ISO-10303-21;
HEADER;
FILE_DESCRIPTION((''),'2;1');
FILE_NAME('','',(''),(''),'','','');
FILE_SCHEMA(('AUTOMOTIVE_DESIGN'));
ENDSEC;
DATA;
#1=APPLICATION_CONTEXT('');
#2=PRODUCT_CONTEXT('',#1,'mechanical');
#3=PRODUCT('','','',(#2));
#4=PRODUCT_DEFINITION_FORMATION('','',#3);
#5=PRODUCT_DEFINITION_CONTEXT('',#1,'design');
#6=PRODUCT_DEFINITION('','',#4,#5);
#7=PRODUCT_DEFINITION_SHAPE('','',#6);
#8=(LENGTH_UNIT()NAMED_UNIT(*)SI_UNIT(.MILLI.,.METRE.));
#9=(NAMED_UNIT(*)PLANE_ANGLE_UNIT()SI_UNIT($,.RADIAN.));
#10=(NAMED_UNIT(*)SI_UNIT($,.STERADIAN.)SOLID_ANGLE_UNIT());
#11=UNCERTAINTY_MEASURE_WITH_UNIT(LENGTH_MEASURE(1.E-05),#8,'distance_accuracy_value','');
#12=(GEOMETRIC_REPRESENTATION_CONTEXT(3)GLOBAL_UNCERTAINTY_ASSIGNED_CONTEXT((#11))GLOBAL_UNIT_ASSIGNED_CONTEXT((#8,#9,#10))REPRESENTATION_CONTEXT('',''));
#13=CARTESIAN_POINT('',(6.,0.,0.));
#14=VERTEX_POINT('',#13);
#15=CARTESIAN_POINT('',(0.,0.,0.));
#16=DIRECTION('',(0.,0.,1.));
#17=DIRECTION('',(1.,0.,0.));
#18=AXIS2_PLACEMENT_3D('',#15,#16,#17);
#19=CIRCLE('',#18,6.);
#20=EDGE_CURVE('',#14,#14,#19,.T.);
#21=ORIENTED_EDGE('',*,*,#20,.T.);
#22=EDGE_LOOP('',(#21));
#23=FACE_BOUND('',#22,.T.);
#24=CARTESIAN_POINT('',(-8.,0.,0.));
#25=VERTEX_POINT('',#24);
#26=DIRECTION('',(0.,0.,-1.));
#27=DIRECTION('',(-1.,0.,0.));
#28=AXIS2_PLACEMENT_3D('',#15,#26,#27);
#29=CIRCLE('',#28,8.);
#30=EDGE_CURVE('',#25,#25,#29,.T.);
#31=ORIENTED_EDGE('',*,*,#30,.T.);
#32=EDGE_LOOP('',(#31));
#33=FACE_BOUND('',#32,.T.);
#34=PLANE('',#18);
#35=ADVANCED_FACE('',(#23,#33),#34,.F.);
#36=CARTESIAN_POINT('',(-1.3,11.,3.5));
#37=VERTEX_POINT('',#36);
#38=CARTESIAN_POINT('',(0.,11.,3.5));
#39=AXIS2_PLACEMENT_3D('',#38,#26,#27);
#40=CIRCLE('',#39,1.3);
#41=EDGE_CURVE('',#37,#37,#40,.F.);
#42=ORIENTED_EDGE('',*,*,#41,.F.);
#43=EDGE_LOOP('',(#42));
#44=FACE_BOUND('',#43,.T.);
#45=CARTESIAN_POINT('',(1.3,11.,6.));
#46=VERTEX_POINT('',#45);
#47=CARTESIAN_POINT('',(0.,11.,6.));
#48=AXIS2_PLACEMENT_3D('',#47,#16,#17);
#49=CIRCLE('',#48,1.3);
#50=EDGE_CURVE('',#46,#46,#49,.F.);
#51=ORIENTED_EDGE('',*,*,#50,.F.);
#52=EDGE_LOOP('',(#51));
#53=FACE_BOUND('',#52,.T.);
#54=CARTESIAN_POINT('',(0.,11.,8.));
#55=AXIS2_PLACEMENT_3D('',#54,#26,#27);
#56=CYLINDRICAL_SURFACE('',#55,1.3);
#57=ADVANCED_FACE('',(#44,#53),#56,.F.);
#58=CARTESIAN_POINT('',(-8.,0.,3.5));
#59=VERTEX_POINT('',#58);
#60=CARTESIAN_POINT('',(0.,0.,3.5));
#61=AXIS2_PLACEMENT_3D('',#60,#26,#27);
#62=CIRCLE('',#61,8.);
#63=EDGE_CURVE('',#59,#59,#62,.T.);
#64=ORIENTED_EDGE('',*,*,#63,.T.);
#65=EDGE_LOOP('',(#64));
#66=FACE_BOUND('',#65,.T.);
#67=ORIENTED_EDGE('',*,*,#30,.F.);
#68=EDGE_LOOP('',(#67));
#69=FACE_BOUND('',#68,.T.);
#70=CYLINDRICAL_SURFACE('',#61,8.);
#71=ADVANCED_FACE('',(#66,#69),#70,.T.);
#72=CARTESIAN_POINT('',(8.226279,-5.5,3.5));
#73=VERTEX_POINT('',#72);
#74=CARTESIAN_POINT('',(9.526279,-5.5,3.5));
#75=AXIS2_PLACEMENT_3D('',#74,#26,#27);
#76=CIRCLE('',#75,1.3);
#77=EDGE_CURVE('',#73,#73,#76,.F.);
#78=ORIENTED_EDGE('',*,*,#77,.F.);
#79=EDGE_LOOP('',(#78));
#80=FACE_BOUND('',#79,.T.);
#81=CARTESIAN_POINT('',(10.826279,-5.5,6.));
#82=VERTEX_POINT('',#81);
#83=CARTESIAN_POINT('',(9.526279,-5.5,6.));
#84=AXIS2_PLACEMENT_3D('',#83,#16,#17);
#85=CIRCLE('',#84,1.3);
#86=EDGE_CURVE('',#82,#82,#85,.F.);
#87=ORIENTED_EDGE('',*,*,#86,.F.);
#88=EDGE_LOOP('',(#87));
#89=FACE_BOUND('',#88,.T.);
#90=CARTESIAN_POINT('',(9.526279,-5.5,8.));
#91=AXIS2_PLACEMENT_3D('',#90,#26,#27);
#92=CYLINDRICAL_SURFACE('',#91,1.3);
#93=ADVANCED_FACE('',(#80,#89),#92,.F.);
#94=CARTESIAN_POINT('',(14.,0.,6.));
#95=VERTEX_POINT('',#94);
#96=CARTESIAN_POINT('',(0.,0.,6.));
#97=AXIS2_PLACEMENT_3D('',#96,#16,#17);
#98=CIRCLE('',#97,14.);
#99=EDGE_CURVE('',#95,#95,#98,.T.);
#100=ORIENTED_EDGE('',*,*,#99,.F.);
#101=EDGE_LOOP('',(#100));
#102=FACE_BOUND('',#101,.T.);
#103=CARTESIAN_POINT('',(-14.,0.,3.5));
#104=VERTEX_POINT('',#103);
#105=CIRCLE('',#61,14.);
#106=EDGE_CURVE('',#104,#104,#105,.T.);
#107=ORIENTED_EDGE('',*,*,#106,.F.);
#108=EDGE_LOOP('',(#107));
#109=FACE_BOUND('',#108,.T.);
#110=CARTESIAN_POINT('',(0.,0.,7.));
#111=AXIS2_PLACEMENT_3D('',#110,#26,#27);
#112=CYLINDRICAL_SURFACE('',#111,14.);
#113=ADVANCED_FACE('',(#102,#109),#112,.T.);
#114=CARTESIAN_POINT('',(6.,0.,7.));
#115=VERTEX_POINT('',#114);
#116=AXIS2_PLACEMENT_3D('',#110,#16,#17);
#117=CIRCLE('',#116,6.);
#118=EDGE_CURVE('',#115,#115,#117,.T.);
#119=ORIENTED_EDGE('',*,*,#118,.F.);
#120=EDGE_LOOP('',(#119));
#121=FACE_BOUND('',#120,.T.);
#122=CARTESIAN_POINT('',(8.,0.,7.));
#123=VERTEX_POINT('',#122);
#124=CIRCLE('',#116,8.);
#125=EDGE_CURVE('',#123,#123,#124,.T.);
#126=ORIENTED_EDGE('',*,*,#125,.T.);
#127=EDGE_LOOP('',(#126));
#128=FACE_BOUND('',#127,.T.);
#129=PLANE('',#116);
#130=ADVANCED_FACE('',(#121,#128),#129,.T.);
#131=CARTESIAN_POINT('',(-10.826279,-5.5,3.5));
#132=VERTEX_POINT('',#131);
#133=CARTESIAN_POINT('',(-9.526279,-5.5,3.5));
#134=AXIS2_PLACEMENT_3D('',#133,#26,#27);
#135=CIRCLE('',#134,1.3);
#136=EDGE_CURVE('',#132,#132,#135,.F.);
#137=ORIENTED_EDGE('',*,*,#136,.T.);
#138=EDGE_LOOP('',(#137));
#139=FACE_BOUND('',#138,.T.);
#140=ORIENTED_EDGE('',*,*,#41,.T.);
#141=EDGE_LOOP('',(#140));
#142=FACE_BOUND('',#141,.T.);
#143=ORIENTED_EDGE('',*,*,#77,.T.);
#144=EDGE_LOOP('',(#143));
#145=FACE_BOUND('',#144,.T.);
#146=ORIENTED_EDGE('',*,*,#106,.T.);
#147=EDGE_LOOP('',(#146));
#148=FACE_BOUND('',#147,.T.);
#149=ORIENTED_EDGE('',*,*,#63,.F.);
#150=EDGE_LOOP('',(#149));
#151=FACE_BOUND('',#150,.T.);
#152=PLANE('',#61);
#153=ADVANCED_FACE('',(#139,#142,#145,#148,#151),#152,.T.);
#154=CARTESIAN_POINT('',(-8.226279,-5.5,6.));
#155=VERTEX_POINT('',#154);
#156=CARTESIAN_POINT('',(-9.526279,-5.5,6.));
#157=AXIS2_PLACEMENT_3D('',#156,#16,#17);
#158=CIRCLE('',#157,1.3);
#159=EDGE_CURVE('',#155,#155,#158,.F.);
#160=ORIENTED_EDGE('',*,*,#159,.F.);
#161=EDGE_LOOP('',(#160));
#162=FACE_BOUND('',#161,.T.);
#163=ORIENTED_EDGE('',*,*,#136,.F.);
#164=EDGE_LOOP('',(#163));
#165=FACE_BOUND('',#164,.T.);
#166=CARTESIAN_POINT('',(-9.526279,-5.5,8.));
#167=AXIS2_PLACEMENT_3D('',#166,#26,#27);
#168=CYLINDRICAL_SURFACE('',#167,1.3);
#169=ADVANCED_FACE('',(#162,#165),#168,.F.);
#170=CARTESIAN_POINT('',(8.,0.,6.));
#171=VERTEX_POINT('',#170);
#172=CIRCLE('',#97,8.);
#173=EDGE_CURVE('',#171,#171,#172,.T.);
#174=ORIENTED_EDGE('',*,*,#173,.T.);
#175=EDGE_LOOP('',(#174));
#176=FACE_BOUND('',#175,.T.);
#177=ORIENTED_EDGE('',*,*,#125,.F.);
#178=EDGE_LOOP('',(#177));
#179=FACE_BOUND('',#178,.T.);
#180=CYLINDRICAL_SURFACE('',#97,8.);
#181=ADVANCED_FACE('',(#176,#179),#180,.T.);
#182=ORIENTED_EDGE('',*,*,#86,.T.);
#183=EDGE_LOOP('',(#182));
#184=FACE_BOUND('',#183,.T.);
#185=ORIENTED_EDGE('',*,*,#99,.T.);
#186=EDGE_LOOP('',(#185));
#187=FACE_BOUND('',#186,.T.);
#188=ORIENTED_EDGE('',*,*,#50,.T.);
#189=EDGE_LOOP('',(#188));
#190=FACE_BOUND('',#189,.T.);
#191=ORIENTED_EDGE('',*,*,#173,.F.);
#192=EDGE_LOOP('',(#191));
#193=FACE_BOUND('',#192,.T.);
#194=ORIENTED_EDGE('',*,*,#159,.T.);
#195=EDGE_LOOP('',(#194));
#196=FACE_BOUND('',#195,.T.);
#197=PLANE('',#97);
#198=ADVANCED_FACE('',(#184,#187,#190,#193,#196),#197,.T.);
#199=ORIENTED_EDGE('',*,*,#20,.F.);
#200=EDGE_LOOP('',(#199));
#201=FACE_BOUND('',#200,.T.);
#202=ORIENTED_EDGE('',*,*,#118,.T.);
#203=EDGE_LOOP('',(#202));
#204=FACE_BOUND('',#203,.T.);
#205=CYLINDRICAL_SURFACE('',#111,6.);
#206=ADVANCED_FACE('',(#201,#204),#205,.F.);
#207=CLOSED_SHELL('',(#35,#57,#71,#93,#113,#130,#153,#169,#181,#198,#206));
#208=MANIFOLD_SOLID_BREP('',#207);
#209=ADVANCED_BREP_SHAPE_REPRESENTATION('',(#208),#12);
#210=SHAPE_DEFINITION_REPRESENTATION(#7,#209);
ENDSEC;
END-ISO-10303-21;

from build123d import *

# Parameters (mm, degrees)
ESQUISSE1_R                  = 14
ESQUISSE1_R_2                = 6
BOSS_EXTRU_1_DEPTH           = 7
ESQUISSE2_R                  = 14
ESQUISSE2_R_2                = 8
ENL_V_MAT_EXTRU_1_DEPTH      = 1
ESQUISSE3_OUTSIDE_W          = 38.042
ESQUISSE3_OUTSIDE_H          = 38.042
ESQUISSE3_OUTSIDE_R          = 8
ENL_V_MAT_EXTRU_2_DEPTH      = 3.5
ESQUISSE4_R                  = 1.3
ENL_V_MAT_EXTRU_3_DEPTH      = 8
R_P_TITION_CIRCULAIRE1_COUNT = 3


with BuildPart() as part:
    # Esquisse1 → Boss.-Extru.1 (new body)
    with BuildSketch(Plane.XY):
        Circle(ESQUISSE1_R)
        Circle(ESQUISSE1_R_2, mode=Mode.SUBTRACT)
    extrude(amount=BOSS_EXTRU_1_DEPTH)

    # Esquisse2 → Enlèv. mat.-Extru.1 (cut)
    with BuildSketch(Plane.XY.offset(7)):
        Circle(ESQUISSE2_R)
        Circle(ESQUISSE2_R_2, mode=Mode.SUBTRACT)
    extrude(amount=-ENL_V_MAT_EXTRU_1_DEPTH, mode=Mode.SUBTRACT)

    # Esquisse3 outside → Enlèv. mat.-Extru.2 (cut)
    with BuildSketch(Plane(origin=(0, 0, 0), x_dir=(-1, 0, 0), z_dir=(0, 0, -1))):
        Rectangle(ESQUISSE3_OUTSIDE_W, ESQUISSE3_OUTSIDE_H)
        Circle(ESQUISSE3_OUTSIDE_R, mode=Mode.SUBTRACT)
    extrude(amount=-ENL_V_MAT_EXTRU_2_DEPTH, mode=Mode.SUBTRACT)

    # Esquisse4 → Enlèv. mat.-Extru.3 (cut)
    with BuildSketch(Plane.XY):
        with Locations((0, 11)):
            Circle(ESQUISSE4_R)
    enl_v_mat_extru_3 = extrude(amount=ENL_V_MAT_EXTRU_3_DEPTH, mode=Mode.SUBTRACT)

    # Répétition circulaire1: Enlèv. mat.-Extru.3 ×3 about axis
    r_p_tition_circulaire1_axis = Axis((0, 0, 0), (0, 0, 1))
    for i in range(1, R_P_TITION_CIRCULAIRE1_COUNT):
        add(enl_v_mat_extru_3.rotate(r_p_tition_circulaire1_axis, i * 360 / R_P_TITION_CIRCULAIRE1_COUNT), mode=Mode.SUBTRACT)


solid = part.part
